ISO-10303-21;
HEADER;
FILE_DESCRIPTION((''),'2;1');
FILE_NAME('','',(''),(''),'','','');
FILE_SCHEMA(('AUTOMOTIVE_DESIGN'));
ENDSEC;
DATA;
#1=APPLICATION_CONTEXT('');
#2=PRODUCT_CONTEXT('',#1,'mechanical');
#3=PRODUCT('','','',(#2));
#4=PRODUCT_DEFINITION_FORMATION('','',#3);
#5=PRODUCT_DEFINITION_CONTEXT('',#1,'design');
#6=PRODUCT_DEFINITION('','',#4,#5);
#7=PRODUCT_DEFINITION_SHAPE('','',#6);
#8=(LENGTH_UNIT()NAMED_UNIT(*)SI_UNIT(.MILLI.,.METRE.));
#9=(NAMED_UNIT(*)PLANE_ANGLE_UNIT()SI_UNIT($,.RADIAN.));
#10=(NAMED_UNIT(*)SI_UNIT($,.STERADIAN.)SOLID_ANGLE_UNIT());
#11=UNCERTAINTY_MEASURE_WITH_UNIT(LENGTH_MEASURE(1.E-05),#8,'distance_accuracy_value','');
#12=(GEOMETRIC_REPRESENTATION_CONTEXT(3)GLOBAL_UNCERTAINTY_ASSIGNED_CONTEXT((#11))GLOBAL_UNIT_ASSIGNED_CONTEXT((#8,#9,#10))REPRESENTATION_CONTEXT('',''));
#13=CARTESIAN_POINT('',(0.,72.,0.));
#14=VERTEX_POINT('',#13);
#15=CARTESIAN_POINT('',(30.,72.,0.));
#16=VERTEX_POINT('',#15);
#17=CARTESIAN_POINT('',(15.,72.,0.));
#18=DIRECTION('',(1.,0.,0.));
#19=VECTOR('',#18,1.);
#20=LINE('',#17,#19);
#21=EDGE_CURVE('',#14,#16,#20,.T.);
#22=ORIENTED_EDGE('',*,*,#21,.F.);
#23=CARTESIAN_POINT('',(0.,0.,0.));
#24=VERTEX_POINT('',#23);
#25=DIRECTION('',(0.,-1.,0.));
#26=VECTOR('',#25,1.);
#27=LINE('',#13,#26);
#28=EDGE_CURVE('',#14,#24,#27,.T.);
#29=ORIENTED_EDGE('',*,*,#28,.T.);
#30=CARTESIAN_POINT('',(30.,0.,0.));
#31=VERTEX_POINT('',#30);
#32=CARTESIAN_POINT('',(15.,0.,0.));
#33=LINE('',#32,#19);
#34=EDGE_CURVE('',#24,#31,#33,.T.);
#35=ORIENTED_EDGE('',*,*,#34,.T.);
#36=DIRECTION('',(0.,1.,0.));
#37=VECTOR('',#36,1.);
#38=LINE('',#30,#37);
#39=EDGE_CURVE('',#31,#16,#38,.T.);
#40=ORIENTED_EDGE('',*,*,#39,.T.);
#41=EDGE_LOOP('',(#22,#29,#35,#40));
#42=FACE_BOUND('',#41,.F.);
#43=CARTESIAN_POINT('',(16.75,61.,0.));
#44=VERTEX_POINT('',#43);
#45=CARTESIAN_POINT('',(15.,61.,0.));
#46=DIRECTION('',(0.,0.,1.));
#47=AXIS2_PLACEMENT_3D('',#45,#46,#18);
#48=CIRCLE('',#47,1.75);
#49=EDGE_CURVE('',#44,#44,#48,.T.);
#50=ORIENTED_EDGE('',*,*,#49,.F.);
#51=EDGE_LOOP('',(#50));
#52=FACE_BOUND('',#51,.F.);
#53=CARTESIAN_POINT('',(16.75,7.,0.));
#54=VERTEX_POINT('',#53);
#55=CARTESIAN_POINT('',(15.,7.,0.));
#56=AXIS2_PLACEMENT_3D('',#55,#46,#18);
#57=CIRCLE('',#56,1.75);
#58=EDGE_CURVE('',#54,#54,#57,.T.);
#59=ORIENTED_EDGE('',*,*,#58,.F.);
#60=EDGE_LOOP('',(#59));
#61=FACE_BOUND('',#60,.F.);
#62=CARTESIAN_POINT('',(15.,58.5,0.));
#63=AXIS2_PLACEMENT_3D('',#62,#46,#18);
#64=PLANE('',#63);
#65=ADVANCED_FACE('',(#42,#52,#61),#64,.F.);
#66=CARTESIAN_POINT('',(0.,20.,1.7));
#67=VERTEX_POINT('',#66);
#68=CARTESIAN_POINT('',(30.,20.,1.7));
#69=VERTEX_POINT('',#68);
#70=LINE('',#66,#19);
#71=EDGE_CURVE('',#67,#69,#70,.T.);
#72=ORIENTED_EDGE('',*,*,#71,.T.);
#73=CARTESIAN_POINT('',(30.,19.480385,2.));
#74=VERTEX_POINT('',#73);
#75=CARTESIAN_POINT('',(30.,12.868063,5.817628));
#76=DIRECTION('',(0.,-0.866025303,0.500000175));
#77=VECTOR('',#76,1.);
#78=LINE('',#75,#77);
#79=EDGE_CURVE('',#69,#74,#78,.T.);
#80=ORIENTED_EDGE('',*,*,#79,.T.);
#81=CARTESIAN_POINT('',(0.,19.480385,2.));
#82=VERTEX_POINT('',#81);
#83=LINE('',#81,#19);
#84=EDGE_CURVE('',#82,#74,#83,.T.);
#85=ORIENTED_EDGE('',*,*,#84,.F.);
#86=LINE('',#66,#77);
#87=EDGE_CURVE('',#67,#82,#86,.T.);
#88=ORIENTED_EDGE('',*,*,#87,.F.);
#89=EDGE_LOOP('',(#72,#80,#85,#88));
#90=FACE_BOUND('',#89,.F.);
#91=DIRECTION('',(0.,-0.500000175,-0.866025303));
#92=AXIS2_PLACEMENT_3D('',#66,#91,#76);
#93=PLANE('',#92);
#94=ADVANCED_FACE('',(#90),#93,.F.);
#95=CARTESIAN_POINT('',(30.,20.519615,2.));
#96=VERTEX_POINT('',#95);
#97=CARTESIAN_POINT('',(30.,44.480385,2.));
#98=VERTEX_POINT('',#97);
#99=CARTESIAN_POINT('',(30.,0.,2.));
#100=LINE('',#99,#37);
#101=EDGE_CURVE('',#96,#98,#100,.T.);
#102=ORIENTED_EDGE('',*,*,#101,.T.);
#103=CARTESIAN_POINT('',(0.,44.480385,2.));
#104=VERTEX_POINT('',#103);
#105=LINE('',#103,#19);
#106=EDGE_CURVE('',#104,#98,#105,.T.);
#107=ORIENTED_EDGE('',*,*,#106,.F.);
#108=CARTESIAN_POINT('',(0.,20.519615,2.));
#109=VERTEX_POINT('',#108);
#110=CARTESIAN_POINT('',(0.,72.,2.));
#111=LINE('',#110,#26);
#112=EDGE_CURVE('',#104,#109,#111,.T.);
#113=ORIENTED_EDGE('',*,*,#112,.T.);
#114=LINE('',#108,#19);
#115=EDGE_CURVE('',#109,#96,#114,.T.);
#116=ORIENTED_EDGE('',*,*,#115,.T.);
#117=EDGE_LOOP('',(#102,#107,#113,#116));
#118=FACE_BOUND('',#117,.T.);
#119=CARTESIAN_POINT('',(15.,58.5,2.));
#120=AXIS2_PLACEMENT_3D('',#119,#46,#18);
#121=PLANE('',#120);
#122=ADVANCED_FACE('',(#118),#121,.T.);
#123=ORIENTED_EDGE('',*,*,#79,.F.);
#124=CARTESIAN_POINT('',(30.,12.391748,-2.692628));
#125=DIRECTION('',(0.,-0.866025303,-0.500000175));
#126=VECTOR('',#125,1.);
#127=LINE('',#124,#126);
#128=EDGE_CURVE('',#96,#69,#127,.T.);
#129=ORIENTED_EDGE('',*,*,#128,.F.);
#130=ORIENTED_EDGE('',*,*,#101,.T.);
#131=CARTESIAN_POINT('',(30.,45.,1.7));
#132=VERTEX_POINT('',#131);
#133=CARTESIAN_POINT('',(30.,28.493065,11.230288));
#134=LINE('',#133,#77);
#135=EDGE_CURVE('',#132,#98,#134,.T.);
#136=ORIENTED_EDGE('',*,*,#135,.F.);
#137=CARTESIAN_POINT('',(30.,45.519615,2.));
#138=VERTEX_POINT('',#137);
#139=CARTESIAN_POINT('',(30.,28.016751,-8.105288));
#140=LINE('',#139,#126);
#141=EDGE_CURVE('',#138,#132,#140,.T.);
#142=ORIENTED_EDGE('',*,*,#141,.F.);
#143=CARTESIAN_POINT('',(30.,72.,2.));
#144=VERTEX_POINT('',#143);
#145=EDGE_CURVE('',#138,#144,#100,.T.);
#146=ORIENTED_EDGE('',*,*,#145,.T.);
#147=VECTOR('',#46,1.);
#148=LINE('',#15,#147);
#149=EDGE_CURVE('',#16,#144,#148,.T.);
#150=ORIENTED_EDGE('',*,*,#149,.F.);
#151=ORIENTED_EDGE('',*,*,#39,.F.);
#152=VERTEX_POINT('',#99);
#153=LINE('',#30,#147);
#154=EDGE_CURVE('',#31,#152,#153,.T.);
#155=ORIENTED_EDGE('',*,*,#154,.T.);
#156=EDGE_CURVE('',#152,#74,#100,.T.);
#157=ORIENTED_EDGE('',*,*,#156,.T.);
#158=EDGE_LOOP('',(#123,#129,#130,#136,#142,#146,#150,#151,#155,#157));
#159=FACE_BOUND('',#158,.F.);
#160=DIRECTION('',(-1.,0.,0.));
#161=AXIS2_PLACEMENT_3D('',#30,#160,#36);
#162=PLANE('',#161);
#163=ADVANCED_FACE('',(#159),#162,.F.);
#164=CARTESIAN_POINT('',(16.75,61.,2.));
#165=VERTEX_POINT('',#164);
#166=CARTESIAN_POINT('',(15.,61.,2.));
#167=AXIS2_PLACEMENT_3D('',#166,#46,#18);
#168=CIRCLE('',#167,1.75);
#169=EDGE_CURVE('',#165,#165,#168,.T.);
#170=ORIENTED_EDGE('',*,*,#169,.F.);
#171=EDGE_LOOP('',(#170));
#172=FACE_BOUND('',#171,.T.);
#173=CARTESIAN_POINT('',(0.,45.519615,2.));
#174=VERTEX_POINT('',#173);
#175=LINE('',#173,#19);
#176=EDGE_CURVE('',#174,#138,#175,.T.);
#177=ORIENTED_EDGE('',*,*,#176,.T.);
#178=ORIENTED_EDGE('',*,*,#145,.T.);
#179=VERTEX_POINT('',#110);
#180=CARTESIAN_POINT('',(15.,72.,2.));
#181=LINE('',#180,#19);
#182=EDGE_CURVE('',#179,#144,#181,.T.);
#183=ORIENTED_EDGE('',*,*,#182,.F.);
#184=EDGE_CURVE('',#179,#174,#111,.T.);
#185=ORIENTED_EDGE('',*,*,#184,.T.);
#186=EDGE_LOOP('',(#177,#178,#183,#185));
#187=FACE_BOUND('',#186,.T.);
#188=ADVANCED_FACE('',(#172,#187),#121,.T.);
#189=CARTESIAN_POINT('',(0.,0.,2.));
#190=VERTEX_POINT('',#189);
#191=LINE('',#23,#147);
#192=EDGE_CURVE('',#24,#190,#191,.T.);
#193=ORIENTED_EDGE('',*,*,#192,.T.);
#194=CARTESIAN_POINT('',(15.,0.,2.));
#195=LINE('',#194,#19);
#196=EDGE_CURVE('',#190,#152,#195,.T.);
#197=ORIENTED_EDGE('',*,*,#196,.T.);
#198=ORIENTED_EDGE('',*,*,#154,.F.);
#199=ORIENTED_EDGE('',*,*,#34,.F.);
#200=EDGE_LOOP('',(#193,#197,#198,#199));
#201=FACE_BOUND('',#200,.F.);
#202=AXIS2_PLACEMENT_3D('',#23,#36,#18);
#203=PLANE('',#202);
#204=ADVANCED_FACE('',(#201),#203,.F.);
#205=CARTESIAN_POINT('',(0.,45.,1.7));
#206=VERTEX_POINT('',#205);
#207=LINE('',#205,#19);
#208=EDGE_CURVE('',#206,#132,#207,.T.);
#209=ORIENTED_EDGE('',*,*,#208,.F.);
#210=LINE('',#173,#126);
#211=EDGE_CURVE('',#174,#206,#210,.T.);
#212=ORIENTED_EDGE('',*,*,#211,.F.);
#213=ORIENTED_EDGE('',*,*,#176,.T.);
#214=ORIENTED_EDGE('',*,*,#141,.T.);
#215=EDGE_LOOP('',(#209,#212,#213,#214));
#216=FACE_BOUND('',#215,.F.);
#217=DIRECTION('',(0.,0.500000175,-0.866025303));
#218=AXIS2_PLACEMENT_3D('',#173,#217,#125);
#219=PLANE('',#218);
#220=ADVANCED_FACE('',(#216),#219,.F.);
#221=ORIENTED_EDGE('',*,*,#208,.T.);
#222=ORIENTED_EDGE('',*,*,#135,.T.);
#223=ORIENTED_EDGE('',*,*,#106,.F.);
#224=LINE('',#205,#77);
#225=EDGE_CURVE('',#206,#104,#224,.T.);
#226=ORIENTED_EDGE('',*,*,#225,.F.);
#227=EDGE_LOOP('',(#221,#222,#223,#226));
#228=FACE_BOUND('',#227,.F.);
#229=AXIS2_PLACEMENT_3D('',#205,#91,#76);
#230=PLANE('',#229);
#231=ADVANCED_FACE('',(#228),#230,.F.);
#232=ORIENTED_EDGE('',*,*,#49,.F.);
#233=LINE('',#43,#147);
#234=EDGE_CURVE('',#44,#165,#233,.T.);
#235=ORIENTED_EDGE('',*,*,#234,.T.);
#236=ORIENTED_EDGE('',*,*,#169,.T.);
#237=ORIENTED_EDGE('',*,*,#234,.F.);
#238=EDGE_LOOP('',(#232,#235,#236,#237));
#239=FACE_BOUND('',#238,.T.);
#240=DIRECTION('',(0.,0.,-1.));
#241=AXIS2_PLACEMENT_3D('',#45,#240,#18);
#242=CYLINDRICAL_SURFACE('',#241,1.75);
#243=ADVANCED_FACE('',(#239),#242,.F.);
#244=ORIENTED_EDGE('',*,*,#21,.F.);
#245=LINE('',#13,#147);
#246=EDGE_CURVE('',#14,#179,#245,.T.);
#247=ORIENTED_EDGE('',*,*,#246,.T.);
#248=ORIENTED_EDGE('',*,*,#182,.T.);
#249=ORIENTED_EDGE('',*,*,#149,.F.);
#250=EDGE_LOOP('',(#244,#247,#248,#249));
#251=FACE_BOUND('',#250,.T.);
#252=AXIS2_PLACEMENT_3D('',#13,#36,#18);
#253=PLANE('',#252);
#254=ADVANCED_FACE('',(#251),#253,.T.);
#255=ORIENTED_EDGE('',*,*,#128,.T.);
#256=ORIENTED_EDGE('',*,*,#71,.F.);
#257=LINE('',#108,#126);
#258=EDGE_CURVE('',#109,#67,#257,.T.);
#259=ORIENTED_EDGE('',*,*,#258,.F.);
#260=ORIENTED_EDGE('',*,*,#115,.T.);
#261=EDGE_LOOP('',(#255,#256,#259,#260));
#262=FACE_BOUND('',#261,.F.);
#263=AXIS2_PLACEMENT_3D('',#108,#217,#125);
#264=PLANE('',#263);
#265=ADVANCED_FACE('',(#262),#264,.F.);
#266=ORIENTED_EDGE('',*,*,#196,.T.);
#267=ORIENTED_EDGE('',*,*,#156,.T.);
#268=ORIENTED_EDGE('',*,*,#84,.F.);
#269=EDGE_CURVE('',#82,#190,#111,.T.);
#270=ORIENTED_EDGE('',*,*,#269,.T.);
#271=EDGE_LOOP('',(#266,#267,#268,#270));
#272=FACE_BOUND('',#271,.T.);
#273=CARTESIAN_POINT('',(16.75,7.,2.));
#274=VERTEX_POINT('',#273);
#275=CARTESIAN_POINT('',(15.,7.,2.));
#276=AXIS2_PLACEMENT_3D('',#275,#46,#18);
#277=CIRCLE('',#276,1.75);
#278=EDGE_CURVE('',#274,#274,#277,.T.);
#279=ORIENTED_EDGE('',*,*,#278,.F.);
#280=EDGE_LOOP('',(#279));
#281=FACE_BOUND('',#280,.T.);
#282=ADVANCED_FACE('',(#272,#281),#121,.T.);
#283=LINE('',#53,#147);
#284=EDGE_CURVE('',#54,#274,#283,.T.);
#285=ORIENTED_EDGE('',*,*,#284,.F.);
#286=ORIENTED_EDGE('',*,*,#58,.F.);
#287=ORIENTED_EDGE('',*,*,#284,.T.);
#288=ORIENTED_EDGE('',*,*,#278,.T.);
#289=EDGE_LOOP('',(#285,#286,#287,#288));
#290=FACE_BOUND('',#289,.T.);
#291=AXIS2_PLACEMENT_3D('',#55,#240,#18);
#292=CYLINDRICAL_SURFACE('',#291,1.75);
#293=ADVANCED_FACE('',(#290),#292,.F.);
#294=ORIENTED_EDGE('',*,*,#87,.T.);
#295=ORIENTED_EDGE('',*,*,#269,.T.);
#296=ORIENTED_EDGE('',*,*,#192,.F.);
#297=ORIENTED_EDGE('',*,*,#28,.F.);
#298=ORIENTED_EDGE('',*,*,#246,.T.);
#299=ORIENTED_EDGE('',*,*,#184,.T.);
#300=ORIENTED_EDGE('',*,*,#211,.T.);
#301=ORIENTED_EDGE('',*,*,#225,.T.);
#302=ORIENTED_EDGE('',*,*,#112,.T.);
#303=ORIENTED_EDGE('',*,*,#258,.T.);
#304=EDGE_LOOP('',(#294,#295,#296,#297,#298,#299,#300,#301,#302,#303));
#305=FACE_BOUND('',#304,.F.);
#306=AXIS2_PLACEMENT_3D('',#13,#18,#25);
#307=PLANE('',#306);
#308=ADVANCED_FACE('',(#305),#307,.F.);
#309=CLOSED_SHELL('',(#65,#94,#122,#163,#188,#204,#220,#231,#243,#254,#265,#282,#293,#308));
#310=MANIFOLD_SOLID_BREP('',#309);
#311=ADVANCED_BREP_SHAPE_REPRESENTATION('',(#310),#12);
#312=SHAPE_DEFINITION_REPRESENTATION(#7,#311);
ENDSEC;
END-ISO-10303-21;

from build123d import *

# Parameters (mm, degrees)
F0_W     = 30
F0_H     = 27
F0_R     = 1.75
F0_H_2   = 25
F0_H_3   = 20
F1_DEPTH = 2
F3_DEPTH = 30.001


with BuildPart() as f1:
    # F0 (on Top) → F1 (new body)
    with BuildSketch(Plane.XY):
        with Locations((15, 58.5)):
            Rectangle(F0_W, F0_H)
        with Locations((15, 61)):
            Circle(F0_R, mode=Mode.SUBTRACT)
        with Locations((15, 32.5)):
            Rectangle(F0_W, F0_H_2)
        with Locations((15, 10)):
            Rectangle(F0_W, F0_H_3)
        with Locations((15, 7)):
            Circle(F0_R, mode=Mode.SUBTRACT)
    extrude(amount=F1_DEPTH)

    # F2 (on face) → F3 (cut, through all)
    with BuildSketch(Plane(origin=(0, 0, 0), x_dir=(0, -1, 0), z_dir=(-1, 0, 0))):
        Polygon((-20, 1.7), (-19.480385, 2), (-20.519615, 2), align=None)
        Polygon((-44.480385, 2), (-45.519615, 2), (-45, 1.7), align=None)
    extrude(amount=-F3_DEPTH, mode=Mode.SUBTRACT)


solid = f1.part
